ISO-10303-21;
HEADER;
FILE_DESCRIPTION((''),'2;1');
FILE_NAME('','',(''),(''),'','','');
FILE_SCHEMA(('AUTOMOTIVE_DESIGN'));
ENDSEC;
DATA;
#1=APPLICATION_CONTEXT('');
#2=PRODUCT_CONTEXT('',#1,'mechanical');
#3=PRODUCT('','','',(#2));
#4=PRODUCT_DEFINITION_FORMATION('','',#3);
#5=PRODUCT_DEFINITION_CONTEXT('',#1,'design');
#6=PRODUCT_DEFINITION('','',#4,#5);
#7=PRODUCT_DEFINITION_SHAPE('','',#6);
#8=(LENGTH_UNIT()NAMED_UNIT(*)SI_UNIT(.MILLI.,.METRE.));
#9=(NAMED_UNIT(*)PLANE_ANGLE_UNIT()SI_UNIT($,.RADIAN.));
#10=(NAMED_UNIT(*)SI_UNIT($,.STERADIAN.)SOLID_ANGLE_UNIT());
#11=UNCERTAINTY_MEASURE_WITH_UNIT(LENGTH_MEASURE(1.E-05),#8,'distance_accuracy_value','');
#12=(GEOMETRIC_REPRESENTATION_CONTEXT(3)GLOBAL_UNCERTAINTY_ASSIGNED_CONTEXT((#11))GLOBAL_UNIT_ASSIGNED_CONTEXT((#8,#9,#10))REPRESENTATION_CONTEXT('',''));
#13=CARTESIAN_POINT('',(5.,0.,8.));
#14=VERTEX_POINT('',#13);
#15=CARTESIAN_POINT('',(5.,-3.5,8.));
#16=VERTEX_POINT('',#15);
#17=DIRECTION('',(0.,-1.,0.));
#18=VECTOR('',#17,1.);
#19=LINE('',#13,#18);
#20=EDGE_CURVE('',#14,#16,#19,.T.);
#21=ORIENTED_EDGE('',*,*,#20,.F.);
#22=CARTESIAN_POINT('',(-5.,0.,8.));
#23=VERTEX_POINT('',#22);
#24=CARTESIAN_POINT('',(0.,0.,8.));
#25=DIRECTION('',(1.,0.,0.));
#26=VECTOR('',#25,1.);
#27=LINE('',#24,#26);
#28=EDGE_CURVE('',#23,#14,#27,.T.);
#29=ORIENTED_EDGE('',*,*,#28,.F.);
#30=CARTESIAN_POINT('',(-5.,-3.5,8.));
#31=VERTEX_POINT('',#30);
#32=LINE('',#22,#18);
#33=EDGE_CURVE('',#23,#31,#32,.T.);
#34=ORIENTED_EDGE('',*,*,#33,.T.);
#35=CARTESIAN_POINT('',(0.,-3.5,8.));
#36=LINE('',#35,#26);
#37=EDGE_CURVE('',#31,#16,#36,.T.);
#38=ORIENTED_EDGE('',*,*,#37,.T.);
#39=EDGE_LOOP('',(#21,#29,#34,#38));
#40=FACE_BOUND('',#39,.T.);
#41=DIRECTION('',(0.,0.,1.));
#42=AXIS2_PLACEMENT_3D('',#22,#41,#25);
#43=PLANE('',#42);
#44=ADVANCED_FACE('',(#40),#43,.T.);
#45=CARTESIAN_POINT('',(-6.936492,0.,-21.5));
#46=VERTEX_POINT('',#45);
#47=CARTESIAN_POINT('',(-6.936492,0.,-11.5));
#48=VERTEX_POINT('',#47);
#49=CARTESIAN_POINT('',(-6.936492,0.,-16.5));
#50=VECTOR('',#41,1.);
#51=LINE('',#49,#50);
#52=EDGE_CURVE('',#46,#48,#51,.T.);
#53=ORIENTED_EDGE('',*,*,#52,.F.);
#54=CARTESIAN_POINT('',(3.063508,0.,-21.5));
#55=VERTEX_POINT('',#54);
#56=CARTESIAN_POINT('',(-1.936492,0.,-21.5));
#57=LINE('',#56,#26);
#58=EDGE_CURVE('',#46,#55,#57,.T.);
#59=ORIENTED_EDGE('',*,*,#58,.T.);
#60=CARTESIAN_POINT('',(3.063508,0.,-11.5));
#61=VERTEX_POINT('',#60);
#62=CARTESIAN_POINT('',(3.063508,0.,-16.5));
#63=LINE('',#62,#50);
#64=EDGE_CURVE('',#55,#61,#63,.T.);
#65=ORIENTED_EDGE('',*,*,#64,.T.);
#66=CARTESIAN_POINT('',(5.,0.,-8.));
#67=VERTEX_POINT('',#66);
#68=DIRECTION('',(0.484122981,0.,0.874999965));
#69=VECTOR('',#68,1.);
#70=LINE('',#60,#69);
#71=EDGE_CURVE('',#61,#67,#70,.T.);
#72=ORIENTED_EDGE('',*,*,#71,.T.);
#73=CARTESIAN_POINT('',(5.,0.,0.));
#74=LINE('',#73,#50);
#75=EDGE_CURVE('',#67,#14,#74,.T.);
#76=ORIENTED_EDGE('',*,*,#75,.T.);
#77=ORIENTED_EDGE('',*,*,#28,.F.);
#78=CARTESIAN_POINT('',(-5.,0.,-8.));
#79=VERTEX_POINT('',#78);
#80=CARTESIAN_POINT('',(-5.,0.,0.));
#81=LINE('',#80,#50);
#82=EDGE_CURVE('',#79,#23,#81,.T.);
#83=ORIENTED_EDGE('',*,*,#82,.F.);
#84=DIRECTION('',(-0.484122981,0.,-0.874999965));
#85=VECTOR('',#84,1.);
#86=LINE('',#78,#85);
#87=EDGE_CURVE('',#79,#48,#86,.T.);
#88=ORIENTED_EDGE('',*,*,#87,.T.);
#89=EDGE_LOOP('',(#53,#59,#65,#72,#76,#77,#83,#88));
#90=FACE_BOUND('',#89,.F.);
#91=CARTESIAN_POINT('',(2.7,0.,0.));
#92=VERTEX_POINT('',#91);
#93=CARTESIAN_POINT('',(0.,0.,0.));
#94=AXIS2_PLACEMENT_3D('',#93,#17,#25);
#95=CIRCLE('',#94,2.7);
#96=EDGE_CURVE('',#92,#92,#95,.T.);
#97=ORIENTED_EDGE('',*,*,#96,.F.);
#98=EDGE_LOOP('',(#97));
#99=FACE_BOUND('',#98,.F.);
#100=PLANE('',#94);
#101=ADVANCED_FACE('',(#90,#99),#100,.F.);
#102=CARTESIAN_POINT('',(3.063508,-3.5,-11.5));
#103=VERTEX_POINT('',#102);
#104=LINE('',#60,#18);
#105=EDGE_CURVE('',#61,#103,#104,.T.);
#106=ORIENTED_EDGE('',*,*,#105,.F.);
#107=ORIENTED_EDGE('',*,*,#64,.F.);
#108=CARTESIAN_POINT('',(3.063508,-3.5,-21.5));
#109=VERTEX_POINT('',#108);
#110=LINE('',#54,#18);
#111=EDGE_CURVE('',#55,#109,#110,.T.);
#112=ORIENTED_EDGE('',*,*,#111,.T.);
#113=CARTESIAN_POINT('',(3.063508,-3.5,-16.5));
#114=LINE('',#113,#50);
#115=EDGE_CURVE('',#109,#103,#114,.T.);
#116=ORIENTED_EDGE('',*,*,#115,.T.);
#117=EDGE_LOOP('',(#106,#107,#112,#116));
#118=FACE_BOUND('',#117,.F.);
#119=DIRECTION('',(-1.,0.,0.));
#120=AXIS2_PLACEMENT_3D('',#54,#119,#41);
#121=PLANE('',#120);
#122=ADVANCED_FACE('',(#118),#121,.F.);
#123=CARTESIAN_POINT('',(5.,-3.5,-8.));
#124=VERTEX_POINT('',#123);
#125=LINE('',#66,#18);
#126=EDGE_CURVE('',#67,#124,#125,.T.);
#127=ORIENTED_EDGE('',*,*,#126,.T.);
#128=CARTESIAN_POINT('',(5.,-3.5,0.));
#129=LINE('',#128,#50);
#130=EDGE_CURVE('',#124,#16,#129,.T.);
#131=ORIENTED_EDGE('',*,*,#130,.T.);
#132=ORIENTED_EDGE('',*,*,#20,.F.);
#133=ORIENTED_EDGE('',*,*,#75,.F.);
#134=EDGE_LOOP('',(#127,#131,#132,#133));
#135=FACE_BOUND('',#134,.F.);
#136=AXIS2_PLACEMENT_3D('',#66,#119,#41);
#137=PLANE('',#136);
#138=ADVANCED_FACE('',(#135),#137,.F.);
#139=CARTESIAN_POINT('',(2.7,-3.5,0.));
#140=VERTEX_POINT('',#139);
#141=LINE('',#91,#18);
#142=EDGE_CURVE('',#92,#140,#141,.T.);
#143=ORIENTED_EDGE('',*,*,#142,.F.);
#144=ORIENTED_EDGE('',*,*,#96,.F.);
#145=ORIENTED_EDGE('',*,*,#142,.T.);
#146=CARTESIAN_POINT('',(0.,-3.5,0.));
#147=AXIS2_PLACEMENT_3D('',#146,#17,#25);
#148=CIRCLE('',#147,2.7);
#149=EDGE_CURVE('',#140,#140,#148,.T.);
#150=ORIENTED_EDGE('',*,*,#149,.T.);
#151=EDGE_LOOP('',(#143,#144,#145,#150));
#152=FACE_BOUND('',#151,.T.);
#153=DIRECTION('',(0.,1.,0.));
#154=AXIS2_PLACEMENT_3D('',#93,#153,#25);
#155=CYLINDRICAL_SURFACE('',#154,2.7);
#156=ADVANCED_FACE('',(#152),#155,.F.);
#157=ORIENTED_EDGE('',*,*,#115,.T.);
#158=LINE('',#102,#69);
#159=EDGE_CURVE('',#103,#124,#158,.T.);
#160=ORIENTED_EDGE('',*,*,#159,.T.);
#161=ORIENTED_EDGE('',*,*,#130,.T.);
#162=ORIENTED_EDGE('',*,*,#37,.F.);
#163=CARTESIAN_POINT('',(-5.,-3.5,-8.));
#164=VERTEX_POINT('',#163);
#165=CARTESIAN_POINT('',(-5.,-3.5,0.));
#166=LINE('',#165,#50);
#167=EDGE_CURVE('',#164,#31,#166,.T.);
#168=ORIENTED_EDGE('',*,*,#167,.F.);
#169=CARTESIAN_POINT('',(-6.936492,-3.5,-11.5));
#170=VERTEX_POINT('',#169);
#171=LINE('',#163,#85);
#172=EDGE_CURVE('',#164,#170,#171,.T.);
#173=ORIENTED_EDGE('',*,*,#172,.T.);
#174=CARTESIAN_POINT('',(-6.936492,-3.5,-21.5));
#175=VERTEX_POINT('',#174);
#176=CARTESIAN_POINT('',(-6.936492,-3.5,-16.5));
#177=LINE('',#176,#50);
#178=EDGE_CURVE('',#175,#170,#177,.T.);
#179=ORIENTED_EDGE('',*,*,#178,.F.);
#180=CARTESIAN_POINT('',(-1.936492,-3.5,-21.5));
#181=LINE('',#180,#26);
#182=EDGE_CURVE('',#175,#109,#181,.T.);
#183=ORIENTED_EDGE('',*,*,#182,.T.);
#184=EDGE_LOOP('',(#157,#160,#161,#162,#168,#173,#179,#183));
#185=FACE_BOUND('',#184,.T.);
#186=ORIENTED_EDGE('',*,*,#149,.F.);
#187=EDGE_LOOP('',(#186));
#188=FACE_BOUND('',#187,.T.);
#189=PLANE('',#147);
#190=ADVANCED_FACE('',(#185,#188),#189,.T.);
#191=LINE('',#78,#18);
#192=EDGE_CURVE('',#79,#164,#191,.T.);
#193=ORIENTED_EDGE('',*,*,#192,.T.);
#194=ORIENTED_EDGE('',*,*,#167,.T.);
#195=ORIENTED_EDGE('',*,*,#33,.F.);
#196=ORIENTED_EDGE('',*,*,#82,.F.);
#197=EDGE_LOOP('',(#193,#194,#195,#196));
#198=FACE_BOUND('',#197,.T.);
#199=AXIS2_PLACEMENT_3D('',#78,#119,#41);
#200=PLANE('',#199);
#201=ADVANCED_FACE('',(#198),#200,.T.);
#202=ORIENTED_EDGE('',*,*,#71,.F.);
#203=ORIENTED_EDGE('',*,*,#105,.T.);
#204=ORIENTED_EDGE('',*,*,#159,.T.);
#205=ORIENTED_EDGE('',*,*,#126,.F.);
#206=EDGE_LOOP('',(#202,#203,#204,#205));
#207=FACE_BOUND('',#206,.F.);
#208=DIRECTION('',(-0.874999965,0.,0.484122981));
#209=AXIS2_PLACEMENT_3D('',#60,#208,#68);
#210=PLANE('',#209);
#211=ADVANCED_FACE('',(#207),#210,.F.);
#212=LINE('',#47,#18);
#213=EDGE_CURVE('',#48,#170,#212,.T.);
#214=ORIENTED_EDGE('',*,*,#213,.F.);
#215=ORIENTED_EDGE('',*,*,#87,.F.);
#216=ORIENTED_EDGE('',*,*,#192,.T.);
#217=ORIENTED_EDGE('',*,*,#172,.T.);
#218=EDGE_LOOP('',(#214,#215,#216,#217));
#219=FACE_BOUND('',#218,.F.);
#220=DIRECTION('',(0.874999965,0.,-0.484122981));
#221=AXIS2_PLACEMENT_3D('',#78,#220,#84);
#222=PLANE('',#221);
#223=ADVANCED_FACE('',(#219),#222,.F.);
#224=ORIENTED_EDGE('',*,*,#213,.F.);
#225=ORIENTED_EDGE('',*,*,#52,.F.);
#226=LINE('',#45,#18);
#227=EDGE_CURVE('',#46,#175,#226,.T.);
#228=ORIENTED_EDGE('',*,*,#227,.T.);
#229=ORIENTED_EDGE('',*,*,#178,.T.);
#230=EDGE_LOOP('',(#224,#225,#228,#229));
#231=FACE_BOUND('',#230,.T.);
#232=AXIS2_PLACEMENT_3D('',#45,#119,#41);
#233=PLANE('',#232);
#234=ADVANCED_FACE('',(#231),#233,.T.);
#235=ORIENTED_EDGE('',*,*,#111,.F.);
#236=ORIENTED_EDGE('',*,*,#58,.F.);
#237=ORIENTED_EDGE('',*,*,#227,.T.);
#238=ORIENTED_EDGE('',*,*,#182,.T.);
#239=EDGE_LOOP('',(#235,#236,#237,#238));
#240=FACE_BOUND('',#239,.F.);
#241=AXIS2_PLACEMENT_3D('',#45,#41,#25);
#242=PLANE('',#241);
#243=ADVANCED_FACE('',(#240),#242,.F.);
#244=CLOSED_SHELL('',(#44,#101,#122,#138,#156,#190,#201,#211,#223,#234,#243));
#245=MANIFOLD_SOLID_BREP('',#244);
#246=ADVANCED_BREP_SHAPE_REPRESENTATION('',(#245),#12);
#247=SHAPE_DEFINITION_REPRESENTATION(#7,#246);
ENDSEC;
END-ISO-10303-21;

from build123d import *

# Parameters (mm, degrees)
F0_W     = 10
F0_H     = 16
F0_R     = 2.7
F0_H_2   = 10
F1_DEPTH = 3.5


with BuildPart() as f1:
    # F0 (on Front) → F1 (new body)
    with BuildSketch(Plane.XZ):
        Rectangle(F0_W, F0_H)
        Circle(F0_R, mode=Mode.SUBTRACT)
        Polygon((3.063508, -11.5), (5, -8), (-5, -8), (-6.936492, -11.5), align=None)
        with Locations((-1.936492, -16.5)):
            Rectangle(F0_W, F0_H_2)
    extrude(amount=F1_DEPTH)


solid = f1.part
